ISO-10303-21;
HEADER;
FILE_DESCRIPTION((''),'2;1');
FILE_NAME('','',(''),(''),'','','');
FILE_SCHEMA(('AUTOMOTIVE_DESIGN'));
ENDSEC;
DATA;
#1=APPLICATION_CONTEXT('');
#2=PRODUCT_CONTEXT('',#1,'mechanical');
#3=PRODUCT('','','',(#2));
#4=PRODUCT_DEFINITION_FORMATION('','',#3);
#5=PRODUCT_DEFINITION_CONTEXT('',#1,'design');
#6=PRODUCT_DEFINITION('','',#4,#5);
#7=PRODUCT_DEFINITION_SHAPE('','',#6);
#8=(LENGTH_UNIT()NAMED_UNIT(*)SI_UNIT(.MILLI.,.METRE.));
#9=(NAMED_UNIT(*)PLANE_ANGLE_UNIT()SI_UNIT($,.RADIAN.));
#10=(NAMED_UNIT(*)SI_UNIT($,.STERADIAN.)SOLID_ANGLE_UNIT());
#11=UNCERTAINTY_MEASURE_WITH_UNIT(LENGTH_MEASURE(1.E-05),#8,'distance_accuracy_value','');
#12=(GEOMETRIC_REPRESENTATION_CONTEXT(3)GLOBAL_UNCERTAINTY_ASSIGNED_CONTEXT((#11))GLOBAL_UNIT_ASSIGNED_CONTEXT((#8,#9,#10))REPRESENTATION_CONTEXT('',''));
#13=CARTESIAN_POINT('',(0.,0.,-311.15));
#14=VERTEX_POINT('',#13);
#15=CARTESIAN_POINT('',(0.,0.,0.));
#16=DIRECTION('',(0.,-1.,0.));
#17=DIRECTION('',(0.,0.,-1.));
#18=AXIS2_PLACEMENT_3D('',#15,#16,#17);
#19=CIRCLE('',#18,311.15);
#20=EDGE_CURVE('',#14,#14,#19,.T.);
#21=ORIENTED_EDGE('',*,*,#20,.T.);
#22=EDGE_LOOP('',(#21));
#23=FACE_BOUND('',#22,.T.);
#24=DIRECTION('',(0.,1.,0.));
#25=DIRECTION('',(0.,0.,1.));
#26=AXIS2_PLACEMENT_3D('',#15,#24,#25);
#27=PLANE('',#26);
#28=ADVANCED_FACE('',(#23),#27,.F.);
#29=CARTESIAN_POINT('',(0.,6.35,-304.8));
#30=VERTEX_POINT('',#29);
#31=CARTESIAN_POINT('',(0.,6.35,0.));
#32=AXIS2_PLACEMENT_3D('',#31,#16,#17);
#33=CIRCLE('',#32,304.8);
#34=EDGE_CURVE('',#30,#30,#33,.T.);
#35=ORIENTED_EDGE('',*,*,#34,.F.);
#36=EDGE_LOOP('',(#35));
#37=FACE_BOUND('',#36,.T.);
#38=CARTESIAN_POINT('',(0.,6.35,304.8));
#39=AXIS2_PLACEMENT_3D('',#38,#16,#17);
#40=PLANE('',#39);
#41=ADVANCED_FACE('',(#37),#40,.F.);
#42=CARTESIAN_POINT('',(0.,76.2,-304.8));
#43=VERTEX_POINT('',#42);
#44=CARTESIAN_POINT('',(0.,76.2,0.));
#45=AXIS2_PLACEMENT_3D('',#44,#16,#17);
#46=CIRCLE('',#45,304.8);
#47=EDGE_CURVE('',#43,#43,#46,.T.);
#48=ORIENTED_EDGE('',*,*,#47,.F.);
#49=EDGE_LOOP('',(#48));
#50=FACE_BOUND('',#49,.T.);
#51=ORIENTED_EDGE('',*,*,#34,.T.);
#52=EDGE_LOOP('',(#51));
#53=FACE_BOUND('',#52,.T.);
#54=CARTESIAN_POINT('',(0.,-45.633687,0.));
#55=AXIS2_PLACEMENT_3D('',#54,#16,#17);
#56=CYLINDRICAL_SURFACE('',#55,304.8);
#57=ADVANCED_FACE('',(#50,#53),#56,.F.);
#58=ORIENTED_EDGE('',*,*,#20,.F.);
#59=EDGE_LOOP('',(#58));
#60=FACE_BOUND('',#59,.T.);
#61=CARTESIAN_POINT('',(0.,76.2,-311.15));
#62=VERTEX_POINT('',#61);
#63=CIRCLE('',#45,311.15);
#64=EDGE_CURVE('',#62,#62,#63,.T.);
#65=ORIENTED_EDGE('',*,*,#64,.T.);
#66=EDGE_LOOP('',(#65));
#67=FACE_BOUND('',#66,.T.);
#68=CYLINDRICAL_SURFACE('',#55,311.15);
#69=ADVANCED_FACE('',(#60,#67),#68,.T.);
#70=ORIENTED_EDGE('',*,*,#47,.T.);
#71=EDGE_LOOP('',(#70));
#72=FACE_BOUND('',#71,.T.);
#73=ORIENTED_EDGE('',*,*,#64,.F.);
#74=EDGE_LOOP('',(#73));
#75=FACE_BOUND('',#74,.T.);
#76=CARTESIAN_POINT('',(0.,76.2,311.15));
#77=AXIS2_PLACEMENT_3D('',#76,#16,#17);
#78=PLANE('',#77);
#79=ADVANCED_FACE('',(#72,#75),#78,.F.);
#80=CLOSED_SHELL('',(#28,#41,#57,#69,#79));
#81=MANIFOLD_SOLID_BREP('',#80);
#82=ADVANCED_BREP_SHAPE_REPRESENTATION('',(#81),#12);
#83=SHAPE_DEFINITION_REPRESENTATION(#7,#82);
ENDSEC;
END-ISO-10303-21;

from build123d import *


with BuildPart() as part:
    # Sketch1 → Revolve1 (revolve)
    with BuildSketch(Plane(origin=(0, 0, 0), x_dir=(0, 0, -1), z_dir=(1, 0, 0)), mode=Mode.PRIVATE) as revolve1_sk:
        Polygon((0, 0), (-311.15, 0), (-311.15, 76.2), (-304.8, 76.2), (-304.8, 6.35), (0, 6.35), align=None)
    revolve(revolve1_sk.sketch.rotate(Axis((0, -45.633687212, 0), (0, 1, 0)), 180), axis=Axis((0, -45.633687212, 0), (0, 1, 0)))  # turned: the seam where the file's is


solid = part.part
